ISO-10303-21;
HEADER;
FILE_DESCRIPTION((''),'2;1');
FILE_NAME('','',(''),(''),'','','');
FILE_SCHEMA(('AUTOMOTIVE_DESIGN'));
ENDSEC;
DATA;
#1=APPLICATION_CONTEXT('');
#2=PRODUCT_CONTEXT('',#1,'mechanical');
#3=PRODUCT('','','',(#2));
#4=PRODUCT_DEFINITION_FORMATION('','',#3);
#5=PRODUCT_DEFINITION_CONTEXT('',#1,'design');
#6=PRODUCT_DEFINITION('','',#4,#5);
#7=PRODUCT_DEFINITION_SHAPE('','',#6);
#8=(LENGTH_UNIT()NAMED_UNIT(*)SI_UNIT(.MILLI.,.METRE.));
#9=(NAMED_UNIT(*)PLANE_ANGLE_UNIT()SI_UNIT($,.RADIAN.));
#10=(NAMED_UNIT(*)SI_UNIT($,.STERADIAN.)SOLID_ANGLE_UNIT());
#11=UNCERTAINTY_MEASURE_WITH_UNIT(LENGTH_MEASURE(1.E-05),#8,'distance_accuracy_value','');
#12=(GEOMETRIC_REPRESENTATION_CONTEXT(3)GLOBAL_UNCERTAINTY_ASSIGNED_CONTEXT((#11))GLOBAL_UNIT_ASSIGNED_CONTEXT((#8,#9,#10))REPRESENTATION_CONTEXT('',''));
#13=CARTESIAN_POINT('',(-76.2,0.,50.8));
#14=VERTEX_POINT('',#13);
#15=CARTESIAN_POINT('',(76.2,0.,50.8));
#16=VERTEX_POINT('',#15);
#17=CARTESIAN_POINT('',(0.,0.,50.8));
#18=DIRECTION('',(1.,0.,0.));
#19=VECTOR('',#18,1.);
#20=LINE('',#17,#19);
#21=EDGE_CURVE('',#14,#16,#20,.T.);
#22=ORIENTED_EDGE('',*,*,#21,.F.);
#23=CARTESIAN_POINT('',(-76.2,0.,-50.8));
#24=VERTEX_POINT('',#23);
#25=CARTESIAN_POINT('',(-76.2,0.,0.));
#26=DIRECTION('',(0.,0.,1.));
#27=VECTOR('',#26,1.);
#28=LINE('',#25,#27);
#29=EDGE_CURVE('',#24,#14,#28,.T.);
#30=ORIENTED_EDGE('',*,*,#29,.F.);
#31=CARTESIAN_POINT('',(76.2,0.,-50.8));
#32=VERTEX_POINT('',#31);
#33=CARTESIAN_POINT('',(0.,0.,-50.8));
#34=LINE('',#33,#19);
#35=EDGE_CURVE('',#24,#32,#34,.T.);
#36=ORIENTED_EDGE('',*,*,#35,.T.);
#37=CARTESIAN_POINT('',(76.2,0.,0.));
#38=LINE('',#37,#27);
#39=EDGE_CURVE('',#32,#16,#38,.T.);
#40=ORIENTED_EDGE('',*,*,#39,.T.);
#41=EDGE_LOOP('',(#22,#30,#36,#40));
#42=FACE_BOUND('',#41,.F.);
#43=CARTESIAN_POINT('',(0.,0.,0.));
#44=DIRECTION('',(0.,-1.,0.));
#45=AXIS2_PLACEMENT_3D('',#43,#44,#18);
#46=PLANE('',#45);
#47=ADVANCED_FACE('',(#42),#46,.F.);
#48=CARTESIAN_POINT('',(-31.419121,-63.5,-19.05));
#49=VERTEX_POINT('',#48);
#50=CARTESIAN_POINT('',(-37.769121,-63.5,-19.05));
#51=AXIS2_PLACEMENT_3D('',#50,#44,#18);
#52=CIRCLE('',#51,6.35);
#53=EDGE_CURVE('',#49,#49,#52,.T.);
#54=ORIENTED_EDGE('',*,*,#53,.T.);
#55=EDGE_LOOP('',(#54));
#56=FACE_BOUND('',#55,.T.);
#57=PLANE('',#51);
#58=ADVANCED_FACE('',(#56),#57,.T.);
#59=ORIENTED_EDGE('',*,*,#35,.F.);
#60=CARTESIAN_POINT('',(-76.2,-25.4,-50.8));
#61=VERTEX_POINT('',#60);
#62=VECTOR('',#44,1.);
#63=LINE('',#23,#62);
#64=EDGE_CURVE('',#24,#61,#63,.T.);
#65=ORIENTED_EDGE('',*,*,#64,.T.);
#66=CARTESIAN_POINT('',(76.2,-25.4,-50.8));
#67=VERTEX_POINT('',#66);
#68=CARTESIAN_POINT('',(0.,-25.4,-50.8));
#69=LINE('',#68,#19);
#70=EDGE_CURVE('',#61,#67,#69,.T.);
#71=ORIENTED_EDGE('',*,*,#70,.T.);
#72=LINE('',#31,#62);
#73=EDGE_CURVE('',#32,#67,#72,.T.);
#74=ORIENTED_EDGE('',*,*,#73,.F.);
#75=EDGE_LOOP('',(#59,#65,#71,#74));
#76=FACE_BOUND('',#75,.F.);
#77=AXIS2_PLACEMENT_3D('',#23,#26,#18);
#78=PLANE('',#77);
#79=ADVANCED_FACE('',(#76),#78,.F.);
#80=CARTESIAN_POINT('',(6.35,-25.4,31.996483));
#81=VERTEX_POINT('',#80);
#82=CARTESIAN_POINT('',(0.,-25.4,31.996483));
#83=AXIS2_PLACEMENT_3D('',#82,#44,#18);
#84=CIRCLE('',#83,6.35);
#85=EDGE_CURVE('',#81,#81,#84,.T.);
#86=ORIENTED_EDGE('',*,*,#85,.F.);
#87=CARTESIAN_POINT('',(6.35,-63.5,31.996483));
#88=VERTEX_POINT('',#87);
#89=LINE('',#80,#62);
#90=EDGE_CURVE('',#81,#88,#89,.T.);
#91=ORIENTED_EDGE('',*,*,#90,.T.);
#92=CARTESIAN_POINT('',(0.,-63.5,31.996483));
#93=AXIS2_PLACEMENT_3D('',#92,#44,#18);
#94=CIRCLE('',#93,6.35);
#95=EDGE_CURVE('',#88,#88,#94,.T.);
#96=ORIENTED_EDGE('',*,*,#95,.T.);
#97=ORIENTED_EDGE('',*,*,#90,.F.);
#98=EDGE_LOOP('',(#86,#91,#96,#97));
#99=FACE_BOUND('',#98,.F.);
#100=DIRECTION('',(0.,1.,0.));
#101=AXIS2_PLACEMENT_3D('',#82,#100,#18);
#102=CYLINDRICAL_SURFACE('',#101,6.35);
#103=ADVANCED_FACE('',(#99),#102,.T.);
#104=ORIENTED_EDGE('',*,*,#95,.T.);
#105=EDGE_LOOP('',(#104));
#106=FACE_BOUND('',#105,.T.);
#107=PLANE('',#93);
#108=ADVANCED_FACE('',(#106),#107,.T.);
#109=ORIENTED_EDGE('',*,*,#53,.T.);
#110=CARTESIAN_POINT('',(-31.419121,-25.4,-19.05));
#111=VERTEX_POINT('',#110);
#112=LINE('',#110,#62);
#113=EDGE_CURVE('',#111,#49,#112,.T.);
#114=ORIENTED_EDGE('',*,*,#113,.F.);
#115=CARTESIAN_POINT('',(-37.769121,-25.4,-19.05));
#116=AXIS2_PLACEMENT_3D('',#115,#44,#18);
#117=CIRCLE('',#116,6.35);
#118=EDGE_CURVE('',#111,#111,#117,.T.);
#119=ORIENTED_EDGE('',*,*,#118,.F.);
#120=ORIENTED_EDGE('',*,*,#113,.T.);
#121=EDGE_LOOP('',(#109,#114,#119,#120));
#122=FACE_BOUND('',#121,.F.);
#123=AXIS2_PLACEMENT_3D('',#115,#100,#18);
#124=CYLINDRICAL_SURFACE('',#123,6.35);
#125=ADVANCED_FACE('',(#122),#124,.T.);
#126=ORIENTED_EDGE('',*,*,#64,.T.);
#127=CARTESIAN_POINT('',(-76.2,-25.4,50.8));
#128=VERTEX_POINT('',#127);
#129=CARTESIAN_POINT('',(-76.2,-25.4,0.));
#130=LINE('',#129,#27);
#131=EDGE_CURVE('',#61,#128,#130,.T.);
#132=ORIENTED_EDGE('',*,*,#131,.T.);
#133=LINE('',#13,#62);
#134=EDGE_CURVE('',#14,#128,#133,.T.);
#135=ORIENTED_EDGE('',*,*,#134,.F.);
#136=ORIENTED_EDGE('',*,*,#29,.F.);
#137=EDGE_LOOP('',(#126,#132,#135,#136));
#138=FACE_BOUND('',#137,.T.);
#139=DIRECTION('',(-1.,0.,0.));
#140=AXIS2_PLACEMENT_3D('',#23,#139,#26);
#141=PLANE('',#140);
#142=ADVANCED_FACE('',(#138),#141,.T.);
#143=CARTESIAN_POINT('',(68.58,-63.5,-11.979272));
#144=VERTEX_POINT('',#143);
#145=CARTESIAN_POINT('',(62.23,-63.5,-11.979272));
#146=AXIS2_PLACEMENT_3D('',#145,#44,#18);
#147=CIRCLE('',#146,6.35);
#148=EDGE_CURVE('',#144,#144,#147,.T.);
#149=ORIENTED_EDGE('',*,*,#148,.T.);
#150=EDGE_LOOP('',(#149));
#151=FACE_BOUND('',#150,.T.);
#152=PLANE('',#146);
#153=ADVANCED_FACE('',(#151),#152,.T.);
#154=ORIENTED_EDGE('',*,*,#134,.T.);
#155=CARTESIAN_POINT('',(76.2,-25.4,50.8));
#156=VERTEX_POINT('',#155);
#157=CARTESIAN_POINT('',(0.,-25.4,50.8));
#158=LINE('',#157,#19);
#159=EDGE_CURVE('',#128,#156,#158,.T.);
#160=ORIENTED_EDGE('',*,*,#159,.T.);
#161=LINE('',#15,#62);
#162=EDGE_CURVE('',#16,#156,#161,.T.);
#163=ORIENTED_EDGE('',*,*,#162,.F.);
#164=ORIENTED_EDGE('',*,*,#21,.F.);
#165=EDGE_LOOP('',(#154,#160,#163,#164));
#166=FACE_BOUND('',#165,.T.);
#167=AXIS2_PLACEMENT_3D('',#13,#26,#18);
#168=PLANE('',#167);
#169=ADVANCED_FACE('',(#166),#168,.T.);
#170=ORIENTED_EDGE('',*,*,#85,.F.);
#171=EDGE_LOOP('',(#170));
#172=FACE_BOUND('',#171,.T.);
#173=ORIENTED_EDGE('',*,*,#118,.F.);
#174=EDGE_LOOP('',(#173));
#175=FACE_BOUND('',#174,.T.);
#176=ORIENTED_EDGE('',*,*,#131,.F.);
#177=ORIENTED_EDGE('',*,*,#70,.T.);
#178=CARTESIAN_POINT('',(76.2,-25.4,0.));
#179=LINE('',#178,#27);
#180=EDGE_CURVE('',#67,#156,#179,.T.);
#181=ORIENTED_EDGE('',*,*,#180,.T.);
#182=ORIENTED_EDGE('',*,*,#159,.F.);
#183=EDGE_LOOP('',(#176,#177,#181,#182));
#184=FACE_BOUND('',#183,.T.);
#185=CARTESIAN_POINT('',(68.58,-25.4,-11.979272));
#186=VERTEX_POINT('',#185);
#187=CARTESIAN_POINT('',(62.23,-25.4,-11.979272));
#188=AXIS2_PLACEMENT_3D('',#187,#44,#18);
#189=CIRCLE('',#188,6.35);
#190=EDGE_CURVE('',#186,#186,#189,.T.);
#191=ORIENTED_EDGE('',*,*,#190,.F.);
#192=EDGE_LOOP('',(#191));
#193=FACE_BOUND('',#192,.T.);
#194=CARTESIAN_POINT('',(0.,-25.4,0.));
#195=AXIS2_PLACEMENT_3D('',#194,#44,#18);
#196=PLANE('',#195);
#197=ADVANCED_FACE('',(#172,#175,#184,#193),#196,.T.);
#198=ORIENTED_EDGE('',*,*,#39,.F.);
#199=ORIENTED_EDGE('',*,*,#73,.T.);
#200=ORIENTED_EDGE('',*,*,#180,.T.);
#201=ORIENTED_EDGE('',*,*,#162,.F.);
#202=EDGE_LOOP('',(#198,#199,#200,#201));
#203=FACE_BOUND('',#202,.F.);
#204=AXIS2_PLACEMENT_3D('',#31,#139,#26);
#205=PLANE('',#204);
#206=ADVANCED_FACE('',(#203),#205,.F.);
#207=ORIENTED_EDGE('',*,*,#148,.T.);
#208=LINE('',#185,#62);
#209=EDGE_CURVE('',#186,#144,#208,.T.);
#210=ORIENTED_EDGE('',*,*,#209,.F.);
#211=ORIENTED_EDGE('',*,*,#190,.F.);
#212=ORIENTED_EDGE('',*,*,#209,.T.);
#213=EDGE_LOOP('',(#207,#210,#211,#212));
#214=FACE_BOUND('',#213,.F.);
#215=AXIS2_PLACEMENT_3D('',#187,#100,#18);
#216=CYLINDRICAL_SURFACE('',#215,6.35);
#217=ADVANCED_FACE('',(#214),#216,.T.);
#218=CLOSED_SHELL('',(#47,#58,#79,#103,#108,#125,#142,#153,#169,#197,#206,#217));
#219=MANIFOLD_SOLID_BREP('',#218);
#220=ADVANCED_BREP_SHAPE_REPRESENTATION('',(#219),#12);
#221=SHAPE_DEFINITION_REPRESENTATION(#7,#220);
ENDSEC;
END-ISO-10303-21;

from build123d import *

# Parameters (mm, degrees)
F0_W     = 152.4
F0_H     = 101.6
F1_DEPTH = 25.4
F2_R     = 6.35
F3_DEPTH = 38.1


with BuildPart() as f1:
    # F0 (on Front) → F1 (new body)
    with BuildSketch(Plane.XZ):
        Rectangle(F0_W, F0_H)
    extrude(amount=F1_DEPTH)

    # F2 (on face) → F3 (join)
    with BuildSketch(Plane.XZ.offset(25.4)):
        with Locations((-37.769121, -19.05)):
            Circle(F2_R)
        with Locations((0, 31.996483)):
            Circle(F2_R)
        with Locations((62.23, -11.979272)):
            Circle(F2_R)
    extrude(amount=F3_DEPTH)


solid = f1.part
